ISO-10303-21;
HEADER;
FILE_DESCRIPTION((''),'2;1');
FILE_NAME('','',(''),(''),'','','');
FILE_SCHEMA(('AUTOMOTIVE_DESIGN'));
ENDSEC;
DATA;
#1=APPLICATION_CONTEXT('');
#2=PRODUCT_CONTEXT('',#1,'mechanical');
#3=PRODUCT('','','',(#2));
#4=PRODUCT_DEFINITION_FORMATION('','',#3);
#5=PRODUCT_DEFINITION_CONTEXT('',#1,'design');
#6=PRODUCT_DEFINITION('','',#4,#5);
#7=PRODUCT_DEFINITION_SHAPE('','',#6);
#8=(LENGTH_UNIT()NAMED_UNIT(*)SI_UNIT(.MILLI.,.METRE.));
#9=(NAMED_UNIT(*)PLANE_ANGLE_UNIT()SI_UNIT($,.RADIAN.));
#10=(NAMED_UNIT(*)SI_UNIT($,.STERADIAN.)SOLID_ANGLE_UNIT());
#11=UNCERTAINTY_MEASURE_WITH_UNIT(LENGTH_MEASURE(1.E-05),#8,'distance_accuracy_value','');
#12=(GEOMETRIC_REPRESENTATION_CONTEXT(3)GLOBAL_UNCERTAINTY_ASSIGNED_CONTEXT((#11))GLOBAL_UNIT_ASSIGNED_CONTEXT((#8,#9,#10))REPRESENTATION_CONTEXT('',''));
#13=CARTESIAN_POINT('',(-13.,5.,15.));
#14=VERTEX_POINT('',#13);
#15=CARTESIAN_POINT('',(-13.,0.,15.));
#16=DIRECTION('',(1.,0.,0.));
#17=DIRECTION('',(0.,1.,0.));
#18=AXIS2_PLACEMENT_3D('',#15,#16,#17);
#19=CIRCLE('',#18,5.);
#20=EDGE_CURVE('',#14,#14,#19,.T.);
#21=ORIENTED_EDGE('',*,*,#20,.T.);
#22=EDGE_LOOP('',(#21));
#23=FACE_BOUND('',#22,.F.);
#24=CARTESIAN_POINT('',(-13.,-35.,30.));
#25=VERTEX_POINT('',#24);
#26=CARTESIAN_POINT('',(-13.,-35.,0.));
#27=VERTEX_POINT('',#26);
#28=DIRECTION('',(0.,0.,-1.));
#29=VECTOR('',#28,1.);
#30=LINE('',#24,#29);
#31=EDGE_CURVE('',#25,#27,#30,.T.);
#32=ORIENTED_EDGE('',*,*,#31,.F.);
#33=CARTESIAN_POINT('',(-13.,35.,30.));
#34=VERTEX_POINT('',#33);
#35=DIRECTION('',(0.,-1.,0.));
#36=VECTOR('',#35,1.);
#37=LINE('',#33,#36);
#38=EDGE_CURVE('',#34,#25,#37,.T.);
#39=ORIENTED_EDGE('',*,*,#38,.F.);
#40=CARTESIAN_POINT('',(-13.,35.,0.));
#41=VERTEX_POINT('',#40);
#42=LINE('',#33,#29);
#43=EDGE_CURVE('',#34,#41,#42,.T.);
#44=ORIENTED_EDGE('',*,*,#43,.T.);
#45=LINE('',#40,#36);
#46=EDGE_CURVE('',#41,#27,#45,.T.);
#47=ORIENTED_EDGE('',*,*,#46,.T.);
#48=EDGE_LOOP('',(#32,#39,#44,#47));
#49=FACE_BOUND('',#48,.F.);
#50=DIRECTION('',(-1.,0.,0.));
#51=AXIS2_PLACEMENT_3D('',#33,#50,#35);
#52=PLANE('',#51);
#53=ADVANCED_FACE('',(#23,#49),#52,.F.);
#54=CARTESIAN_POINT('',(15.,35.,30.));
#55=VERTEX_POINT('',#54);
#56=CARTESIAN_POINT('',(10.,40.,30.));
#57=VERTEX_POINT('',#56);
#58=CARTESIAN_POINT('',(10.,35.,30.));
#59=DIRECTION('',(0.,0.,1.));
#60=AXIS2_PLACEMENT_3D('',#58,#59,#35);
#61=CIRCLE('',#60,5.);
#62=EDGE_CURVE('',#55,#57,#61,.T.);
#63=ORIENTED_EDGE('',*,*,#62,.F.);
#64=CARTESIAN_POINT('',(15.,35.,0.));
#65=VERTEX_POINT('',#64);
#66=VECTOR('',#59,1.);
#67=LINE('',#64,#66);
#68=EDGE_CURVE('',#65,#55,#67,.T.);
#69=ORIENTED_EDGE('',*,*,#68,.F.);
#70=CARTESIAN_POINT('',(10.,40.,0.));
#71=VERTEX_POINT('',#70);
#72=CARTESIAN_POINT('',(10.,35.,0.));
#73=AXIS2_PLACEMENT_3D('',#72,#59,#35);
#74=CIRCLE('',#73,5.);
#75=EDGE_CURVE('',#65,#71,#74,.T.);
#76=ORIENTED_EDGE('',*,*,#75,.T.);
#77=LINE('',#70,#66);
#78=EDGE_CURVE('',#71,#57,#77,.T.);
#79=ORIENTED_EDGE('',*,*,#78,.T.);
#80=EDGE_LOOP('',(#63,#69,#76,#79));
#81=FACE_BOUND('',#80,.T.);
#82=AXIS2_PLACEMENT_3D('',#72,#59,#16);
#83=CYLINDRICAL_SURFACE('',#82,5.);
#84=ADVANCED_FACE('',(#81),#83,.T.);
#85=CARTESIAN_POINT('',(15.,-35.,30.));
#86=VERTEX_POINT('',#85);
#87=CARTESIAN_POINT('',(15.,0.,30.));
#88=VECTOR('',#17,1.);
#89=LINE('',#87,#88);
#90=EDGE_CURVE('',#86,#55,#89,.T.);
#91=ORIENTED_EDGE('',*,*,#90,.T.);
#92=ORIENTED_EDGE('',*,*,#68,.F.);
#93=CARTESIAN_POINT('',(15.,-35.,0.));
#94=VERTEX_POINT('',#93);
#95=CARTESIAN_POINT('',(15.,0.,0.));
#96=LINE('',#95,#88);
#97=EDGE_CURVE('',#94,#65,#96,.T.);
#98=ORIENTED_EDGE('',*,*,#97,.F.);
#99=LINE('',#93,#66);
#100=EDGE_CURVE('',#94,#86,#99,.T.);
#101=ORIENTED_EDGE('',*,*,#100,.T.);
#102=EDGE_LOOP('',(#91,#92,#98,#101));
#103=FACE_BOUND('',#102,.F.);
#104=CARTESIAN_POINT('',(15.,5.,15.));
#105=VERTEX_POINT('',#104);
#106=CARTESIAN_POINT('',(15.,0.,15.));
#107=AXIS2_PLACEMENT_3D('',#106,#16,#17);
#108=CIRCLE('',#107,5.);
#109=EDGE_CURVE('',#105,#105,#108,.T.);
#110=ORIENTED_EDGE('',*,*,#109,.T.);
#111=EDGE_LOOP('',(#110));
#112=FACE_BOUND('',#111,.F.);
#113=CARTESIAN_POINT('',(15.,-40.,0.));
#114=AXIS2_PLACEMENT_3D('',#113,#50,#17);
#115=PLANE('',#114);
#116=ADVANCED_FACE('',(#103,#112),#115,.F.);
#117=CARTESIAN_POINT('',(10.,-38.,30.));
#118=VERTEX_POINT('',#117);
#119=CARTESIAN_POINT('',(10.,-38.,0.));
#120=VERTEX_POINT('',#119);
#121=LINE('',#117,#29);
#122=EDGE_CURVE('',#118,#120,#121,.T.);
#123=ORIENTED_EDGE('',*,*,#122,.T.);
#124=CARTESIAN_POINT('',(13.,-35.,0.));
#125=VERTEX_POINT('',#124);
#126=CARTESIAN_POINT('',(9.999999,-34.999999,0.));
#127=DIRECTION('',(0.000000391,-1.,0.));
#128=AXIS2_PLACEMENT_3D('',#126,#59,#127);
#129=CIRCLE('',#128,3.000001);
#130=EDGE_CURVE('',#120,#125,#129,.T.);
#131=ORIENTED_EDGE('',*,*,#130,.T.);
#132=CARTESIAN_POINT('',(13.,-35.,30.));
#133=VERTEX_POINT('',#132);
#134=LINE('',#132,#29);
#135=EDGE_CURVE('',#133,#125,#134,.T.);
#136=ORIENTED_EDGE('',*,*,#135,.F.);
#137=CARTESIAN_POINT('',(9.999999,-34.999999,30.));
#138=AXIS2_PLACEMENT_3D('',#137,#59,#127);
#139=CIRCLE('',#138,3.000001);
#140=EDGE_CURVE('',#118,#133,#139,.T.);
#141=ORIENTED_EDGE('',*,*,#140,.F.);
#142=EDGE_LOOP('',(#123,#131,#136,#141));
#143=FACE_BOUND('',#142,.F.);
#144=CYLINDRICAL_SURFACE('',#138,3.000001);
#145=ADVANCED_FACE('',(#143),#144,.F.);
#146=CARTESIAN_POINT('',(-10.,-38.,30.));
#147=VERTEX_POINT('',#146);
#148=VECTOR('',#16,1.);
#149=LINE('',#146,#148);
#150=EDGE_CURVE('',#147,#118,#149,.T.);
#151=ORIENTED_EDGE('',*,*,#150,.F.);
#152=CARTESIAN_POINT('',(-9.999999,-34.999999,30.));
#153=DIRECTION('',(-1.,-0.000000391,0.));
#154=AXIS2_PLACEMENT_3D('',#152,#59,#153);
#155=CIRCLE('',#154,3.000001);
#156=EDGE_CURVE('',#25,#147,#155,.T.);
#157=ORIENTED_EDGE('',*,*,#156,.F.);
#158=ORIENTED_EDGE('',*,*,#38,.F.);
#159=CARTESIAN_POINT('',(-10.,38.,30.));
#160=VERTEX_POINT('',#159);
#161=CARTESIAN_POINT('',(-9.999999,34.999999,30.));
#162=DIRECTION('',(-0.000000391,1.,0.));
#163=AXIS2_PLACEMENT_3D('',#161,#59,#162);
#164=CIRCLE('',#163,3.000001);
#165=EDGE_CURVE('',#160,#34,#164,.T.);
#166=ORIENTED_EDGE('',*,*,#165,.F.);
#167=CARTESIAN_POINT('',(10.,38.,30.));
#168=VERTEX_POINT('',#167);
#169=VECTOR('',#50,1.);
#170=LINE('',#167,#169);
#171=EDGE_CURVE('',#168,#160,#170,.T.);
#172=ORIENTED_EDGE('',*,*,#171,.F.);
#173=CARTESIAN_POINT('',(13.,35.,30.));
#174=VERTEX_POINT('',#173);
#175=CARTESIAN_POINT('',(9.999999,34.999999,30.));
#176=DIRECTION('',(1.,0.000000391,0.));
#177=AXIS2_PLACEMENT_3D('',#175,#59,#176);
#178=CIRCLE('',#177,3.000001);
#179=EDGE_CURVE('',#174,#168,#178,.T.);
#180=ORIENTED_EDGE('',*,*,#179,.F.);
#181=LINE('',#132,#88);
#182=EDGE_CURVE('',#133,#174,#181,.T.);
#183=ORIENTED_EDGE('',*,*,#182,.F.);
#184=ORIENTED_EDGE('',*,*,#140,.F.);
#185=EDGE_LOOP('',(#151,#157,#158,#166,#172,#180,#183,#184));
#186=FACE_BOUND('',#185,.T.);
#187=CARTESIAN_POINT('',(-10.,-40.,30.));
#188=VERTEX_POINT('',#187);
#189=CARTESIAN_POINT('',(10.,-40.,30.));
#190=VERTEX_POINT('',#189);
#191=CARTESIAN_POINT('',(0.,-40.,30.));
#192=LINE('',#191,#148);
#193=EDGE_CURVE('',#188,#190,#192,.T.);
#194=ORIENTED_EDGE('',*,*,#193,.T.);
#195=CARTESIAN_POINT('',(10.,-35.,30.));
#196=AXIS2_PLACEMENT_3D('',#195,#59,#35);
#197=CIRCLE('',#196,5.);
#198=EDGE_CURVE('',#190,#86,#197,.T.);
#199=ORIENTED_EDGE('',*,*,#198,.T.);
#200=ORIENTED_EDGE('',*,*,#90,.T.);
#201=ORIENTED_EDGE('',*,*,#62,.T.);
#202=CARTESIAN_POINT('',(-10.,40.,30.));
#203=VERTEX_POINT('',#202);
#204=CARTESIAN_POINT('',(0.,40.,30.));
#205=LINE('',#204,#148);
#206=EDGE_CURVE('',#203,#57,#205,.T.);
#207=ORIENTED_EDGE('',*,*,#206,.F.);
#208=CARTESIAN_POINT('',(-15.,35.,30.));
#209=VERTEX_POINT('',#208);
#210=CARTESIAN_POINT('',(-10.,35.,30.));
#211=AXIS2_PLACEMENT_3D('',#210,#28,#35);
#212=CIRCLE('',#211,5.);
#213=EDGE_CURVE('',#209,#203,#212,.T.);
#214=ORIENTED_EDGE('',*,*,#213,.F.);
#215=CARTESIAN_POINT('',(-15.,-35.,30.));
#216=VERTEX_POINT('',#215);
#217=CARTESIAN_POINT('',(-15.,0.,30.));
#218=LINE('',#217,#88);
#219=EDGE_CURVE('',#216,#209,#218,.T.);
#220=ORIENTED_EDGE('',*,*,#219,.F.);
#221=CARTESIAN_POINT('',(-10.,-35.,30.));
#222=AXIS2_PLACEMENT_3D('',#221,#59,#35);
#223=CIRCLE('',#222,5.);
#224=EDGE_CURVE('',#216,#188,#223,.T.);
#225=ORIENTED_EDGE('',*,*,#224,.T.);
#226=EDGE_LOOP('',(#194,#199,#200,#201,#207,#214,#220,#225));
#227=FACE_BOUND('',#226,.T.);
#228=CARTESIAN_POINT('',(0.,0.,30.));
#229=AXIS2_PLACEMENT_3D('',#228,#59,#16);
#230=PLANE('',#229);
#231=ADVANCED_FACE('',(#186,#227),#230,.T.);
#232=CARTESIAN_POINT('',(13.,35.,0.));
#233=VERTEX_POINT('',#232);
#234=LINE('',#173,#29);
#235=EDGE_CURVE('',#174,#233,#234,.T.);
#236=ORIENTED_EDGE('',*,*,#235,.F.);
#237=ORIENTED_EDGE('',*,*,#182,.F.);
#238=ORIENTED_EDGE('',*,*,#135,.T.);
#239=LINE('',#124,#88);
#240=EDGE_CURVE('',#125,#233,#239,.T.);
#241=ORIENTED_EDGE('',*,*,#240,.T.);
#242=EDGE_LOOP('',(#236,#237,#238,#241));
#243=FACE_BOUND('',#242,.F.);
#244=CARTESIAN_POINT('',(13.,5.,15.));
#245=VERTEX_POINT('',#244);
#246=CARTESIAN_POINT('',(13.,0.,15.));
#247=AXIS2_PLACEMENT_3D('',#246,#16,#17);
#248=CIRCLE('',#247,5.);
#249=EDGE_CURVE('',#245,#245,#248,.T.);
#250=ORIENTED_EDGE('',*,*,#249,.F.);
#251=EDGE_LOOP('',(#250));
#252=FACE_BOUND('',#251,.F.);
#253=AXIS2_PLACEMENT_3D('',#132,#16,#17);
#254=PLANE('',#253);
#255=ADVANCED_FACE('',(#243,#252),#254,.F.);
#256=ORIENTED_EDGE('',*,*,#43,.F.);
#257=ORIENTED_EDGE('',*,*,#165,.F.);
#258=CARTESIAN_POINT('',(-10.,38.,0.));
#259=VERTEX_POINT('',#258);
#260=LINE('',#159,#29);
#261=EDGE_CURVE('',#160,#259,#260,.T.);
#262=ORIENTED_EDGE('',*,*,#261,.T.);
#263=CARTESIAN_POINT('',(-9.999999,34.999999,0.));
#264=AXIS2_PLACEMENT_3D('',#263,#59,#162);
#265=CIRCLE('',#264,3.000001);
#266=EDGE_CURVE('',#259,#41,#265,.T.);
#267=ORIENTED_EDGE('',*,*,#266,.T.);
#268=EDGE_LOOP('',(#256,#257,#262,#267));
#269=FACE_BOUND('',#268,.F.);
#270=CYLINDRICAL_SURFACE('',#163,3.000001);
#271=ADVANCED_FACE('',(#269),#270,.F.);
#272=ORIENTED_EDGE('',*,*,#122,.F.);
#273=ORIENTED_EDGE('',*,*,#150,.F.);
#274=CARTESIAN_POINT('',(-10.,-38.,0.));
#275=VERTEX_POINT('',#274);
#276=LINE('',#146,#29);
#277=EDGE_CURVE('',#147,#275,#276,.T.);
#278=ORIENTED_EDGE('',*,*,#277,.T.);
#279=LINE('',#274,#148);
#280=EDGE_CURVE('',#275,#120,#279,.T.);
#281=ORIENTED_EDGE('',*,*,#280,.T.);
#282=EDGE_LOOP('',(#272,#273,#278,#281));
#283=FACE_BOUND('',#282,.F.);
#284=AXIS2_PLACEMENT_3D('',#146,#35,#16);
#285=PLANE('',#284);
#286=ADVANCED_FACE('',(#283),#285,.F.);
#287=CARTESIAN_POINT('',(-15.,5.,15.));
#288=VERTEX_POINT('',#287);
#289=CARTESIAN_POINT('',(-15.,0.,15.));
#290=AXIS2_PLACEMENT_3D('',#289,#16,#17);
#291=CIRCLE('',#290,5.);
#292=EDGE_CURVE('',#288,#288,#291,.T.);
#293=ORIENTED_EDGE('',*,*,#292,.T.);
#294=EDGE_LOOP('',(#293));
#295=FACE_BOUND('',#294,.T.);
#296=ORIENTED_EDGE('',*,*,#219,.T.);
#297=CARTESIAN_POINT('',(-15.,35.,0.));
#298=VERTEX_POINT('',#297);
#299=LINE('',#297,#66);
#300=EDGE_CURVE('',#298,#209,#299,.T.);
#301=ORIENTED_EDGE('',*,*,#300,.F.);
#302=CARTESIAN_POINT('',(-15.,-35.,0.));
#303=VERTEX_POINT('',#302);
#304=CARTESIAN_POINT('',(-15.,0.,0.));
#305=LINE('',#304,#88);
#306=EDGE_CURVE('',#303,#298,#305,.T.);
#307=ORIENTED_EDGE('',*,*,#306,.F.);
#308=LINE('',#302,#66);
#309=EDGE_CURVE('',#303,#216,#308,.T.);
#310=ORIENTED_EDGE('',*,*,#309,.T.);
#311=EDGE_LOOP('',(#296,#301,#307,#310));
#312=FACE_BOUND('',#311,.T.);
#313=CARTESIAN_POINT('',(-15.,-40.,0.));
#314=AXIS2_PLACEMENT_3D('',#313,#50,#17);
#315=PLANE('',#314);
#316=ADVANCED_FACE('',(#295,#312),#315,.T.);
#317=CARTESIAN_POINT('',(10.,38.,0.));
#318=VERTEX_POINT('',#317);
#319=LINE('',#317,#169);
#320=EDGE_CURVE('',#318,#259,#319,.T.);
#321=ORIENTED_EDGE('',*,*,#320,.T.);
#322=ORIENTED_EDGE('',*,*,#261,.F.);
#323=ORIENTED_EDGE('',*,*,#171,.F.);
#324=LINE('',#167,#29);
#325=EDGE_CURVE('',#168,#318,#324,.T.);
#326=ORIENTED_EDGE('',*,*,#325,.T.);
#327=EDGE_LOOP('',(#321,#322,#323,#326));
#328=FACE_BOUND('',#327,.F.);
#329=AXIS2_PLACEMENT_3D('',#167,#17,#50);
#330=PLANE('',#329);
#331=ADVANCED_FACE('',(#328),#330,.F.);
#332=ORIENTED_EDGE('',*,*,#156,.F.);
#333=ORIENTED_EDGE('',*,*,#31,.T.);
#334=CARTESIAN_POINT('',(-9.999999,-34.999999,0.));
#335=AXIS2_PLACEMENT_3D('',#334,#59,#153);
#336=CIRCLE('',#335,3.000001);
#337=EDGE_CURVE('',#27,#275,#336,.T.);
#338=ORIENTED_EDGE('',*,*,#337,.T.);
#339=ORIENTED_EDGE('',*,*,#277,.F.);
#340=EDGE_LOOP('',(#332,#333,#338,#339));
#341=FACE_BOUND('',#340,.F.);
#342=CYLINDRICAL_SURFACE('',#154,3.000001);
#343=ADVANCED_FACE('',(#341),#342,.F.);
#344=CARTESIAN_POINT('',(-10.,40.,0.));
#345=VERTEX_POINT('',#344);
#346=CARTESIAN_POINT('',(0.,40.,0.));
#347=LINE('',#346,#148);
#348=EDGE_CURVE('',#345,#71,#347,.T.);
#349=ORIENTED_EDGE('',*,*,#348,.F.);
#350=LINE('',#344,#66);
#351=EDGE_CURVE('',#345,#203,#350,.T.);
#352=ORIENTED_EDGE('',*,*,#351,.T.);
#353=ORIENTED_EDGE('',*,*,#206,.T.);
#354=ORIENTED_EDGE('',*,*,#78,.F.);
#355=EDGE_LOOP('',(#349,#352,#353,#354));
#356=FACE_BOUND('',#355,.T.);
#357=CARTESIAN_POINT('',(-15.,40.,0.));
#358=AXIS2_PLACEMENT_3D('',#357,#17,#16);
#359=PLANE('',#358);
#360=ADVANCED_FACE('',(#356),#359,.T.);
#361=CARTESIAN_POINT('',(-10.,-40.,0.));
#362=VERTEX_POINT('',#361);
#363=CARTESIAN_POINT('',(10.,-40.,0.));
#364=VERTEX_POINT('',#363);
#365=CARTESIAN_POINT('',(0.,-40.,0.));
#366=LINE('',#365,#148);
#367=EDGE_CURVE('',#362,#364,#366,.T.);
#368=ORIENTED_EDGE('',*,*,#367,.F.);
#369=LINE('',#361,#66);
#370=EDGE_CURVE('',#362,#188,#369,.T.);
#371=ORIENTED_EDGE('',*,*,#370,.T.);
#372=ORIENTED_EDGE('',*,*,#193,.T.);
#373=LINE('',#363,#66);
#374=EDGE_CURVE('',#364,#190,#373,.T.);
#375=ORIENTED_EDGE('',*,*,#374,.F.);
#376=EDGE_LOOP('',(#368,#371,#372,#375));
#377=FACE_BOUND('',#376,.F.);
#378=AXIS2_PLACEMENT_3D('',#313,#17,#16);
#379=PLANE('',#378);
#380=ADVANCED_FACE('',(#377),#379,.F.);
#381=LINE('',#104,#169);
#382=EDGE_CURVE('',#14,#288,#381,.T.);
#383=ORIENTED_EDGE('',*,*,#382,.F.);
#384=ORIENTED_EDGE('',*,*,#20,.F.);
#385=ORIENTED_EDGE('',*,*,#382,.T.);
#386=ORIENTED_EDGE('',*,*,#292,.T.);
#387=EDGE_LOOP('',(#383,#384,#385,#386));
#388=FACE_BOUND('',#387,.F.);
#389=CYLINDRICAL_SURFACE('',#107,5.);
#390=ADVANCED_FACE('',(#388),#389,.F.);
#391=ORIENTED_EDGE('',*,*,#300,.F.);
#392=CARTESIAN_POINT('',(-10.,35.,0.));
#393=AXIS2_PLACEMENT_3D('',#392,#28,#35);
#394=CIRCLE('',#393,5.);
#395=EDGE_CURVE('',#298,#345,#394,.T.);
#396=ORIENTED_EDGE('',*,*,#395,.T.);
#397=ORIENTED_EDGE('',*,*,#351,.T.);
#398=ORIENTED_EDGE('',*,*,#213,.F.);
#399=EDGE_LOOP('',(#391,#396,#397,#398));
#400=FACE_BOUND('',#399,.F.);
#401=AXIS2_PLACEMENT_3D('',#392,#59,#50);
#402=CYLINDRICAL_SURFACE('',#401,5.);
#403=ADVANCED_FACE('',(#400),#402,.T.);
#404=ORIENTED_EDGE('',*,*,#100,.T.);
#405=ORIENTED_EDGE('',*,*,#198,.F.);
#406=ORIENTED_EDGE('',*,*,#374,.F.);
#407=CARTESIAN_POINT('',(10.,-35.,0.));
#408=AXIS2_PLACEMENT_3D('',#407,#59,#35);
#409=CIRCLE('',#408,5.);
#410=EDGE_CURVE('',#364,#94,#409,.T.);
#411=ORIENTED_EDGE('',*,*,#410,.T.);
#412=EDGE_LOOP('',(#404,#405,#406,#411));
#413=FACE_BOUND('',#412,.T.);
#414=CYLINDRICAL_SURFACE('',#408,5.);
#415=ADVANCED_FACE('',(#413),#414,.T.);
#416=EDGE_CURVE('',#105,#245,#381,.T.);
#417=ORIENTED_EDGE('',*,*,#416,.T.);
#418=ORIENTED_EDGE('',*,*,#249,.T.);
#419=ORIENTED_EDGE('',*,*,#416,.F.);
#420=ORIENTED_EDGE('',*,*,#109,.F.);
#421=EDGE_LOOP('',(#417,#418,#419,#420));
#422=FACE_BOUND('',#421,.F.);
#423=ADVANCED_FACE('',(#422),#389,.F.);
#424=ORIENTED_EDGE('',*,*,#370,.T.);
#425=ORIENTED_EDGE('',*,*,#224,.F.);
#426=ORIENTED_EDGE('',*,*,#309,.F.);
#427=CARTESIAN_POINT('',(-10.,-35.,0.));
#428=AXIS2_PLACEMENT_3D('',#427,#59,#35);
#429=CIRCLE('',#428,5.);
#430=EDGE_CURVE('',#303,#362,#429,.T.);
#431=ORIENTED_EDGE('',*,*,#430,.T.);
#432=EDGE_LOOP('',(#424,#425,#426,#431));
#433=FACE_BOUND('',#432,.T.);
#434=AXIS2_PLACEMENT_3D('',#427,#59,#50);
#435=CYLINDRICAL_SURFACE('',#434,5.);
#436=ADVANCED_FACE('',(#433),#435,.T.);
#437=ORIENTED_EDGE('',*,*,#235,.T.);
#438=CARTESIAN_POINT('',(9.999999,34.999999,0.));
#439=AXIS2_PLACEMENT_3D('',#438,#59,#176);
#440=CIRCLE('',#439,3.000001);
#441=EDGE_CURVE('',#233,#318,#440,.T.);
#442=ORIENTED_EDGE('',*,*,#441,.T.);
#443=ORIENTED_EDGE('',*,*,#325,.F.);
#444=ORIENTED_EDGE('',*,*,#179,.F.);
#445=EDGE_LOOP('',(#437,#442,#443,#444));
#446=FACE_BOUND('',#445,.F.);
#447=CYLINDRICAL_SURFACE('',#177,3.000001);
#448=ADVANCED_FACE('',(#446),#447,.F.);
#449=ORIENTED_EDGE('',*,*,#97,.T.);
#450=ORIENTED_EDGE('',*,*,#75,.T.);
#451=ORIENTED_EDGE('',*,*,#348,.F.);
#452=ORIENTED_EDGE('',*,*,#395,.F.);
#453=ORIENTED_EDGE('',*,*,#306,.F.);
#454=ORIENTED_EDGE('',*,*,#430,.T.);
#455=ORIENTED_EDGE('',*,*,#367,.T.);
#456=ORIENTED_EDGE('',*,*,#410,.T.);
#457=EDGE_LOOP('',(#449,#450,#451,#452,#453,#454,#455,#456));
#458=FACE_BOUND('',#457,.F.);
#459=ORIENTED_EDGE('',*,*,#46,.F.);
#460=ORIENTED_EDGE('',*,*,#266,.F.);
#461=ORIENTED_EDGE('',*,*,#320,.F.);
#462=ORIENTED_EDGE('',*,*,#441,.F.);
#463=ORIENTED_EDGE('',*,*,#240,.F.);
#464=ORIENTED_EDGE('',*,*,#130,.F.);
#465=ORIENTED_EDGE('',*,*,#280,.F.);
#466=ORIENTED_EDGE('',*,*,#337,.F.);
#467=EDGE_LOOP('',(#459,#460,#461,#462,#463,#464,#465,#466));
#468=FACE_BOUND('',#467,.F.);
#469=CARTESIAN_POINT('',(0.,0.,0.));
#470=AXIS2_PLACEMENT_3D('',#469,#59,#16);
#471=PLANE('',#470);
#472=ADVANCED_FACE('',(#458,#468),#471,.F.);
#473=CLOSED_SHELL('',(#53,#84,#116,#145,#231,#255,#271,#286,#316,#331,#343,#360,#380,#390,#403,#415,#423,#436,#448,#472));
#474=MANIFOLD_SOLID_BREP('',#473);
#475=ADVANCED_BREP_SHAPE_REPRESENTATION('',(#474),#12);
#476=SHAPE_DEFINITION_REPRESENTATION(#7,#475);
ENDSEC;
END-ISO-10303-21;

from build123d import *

# Parameters (mm, degrees)
F0_W     = 30
F0_H     = 80
F1_DEPTH = 30
F2_R     = 5
F4_DEPTH = 30
F5_R     = 5
F6_DEPTH = 30


with BuildPart() as f1:
    # F0 (on Top) → F1 (new body)
    with BuildSketch(Plane.XY):
        Rectangle(F0_W, F0_H)
    extrude(amount=F1_DEPTH)

    # F2
    f2_edges = [f1.edges().sort_by_distance(p)[0] for p in [
        (15, 40, 15),
        (-15, 40, 15),
        (-15, -40, 15),
        (15, -40, 15),
    ]]
    fillet(f2_edges, radius=F2_R)

    # F3 (on face) → F4 (cut)
    with BuildSketch(Plane.XY.offset(30)):
        with BuildLine():
            ThreePointArc((13, 35), (12.12132, 37.12132), (10, 38))
            Line((10, 38), (-10, 38))
            ThreePointArc((-10, 38), (-12.12132, 37.12132), (-13, 35))
            Line((-13, 35), (-13, -35))
            ThreePointArc((-13, -35), (-12.12132, -37.12132), (-10, -38))
            Line((-10, -38), (10, -38))
            ThreePointArc((10, -38), (12.12132, -37.12132), (13, -35))
            Line((13, -35), (13, 35))
        make_face()
    extrude(amount=-F4_DEPTH, mode=Mode.SUBTRACT)

    # F5 (on face) → F6 (cut)
    with BuildSketch(Plane.YZ.offset(15)):
        with Locations((0, 15)):
            Circle(F5_R)
    extrude(amount=-F6_DEPTH, mode=Mode.SUBTRACT)


solid = f1.part
